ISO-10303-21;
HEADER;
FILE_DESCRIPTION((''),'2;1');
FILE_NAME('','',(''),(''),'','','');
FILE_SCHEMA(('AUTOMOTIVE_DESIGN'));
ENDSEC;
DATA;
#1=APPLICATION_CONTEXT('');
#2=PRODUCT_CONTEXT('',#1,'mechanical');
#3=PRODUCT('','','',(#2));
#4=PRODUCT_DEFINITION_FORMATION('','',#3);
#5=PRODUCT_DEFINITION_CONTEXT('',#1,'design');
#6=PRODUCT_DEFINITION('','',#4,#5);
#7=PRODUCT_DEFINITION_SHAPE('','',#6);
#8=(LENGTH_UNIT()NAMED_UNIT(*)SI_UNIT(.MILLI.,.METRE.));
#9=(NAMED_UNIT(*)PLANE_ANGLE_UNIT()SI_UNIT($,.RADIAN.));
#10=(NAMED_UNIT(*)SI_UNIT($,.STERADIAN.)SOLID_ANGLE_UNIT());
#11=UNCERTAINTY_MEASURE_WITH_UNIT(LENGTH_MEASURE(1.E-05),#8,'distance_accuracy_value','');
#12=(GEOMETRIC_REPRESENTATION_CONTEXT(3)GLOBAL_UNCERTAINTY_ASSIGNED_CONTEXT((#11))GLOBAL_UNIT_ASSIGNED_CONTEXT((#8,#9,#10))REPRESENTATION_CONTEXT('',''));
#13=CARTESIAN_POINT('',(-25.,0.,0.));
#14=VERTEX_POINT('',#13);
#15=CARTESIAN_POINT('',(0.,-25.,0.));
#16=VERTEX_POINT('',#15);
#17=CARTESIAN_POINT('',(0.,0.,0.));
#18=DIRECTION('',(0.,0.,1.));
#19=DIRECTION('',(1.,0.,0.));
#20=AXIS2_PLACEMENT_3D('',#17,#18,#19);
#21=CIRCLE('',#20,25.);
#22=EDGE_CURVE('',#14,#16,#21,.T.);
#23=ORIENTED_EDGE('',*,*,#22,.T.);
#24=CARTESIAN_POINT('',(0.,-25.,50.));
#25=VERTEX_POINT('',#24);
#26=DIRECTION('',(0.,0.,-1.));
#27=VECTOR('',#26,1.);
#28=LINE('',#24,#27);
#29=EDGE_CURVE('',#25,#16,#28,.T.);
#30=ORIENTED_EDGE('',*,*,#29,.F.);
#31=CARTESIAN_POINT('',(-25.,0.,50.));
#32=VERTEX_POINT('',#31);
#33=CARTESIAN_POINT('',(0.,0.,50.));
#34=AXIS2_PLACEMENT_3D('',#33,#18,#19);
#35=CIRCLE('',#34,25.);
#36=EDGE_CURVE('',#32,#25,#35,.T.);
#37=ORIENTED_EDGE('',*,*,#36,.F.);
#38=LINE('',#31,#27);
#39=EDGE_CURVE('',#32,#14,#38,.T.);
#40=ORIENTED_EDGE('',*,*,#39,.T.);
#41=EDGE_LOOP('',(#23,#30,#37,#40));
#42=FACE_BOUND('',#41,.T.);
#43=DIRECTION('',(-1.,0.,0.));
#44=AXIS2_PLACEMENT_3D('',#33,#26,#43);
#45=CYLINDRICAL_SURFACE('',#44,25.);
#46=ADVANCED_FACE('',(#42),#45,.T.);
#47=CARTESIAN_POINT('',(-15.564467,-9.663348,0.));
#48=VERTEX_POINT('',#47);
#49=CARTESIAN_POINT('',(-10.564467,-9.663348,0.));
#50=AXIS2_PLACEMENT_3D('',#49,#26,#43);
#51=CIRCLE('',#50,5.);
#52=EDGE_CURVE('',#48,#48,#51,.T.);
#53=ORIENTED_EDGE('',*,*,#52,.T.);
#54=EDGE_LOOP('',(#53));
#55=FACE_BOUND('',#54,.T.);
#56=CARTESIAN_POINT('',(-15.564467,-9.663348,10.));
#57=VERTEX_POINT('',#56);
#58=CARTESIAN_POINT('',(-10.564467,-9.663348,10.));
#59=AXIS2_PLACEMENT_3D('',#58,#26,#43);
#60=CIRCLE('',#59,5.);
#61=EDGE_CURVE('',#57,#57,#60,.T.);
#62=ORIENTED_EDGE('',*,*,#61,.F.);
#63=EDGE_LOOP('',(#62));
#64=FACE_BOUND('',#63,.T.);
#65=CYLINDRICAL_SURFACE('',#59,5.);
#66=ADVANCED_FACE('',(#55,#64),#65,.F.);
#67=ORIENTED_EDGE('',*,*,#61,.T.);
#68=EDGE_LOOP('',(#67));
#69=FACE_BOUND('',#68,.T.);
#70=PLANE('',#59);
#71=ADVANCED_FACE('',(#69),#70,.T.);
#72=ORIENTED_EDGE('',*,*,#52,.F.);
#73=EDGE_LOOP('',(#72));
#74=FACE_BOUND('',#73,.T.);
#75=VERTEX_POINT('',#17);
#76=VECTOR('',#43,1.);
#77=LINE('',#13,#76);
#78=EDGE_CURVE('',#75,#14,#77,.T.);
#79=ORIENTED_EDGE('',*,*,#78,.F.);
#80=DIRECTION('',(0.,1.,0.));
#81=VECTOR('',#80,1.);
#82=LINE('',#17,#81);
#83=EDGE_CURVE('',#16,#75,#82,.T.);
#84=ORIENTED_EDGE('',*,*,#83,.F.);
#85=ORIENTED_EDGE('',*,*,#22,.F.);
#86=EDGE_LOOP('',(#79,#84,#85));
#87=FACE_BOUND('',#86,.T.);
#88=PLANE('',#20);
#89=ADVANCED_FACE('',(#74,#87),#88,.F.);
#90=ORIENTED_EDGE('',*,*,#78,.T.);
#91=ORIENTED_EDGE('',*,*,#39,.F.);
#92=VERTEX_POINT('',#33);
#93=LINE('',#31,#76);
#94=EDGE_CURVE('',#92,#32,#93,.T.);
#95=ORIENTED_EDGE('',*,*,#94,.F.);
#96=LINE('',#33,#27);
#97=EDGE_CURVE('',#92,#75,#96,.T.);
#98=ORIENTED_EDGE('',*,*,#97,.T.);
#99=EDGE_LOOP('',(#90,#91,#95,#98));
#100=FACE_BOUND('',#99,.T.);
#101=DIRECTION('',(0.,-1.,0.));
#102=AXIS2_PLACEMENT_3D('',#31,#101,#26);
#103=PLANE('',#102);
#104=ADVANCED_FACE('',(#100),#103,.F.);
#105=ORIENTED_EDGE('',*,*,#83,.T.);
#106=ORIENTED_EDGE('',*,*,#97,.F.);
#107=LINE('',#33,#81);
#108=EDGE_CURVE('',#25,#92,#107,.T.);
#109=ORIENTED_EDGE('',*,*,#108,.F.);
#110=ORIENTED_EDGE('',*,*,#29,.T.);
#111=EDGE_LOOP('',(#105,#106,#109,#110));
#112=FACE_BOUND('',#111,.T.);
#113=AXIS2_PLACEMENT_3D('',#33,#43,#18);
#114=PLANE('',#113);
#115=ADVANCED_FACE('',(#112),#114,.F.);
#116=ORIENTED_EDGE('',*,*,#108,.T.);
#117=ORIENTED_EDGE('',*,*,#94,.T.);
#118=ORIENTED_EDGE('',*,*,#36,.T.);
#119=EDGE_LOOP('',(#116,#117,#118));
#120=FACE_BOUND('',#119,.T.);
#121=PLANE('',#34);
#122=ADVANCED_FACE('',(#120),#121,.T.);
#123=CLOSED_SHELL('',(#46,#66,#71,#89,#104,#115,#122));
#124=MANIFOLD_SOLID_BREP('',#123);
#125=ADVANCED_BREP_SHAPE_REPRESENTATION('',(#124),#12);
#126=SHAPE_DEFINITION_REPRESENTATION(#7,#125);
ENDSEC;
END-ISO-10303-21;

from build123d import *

# Parameters (mm, degrees)
SALIENTE_EXTRUIR1_DEPTH = 50
CROQUIS2_R              = 5
CORTAR_EXTRUIR1_DEPTH   = 10


with BuildPart() as part:
    # Croquis1 → Saliente-Extruir1 (new body)
    with BuildSketch(Plane.XY):
        with BuildLine():
            Line((0, 0), (0, -25))
            ThreePointArc((0, -25), (-17.67766953, -17.67766953), (-25, 0))
            Line((-25, 0), (0, 0))
        make_face()
    extrude(amount=SALIENTE_EXTRUIR1_DEPTH)

    # Croquis2 → Cortar-Extruir1 (cut)
    with BuildSketch(Plane(origin=(0, 0, 0), x_dir=(-1, 0, 0), z_dir=(0, 0, -1))):
        with Locations((10.56446681, -9.663348116)):
            Circle(CROQUIS2_R)
    extrude(amount=-CORTAR_EXTRUIR1_DEPTH, mode=Mode.SUBTRACT)


solid = part.part
